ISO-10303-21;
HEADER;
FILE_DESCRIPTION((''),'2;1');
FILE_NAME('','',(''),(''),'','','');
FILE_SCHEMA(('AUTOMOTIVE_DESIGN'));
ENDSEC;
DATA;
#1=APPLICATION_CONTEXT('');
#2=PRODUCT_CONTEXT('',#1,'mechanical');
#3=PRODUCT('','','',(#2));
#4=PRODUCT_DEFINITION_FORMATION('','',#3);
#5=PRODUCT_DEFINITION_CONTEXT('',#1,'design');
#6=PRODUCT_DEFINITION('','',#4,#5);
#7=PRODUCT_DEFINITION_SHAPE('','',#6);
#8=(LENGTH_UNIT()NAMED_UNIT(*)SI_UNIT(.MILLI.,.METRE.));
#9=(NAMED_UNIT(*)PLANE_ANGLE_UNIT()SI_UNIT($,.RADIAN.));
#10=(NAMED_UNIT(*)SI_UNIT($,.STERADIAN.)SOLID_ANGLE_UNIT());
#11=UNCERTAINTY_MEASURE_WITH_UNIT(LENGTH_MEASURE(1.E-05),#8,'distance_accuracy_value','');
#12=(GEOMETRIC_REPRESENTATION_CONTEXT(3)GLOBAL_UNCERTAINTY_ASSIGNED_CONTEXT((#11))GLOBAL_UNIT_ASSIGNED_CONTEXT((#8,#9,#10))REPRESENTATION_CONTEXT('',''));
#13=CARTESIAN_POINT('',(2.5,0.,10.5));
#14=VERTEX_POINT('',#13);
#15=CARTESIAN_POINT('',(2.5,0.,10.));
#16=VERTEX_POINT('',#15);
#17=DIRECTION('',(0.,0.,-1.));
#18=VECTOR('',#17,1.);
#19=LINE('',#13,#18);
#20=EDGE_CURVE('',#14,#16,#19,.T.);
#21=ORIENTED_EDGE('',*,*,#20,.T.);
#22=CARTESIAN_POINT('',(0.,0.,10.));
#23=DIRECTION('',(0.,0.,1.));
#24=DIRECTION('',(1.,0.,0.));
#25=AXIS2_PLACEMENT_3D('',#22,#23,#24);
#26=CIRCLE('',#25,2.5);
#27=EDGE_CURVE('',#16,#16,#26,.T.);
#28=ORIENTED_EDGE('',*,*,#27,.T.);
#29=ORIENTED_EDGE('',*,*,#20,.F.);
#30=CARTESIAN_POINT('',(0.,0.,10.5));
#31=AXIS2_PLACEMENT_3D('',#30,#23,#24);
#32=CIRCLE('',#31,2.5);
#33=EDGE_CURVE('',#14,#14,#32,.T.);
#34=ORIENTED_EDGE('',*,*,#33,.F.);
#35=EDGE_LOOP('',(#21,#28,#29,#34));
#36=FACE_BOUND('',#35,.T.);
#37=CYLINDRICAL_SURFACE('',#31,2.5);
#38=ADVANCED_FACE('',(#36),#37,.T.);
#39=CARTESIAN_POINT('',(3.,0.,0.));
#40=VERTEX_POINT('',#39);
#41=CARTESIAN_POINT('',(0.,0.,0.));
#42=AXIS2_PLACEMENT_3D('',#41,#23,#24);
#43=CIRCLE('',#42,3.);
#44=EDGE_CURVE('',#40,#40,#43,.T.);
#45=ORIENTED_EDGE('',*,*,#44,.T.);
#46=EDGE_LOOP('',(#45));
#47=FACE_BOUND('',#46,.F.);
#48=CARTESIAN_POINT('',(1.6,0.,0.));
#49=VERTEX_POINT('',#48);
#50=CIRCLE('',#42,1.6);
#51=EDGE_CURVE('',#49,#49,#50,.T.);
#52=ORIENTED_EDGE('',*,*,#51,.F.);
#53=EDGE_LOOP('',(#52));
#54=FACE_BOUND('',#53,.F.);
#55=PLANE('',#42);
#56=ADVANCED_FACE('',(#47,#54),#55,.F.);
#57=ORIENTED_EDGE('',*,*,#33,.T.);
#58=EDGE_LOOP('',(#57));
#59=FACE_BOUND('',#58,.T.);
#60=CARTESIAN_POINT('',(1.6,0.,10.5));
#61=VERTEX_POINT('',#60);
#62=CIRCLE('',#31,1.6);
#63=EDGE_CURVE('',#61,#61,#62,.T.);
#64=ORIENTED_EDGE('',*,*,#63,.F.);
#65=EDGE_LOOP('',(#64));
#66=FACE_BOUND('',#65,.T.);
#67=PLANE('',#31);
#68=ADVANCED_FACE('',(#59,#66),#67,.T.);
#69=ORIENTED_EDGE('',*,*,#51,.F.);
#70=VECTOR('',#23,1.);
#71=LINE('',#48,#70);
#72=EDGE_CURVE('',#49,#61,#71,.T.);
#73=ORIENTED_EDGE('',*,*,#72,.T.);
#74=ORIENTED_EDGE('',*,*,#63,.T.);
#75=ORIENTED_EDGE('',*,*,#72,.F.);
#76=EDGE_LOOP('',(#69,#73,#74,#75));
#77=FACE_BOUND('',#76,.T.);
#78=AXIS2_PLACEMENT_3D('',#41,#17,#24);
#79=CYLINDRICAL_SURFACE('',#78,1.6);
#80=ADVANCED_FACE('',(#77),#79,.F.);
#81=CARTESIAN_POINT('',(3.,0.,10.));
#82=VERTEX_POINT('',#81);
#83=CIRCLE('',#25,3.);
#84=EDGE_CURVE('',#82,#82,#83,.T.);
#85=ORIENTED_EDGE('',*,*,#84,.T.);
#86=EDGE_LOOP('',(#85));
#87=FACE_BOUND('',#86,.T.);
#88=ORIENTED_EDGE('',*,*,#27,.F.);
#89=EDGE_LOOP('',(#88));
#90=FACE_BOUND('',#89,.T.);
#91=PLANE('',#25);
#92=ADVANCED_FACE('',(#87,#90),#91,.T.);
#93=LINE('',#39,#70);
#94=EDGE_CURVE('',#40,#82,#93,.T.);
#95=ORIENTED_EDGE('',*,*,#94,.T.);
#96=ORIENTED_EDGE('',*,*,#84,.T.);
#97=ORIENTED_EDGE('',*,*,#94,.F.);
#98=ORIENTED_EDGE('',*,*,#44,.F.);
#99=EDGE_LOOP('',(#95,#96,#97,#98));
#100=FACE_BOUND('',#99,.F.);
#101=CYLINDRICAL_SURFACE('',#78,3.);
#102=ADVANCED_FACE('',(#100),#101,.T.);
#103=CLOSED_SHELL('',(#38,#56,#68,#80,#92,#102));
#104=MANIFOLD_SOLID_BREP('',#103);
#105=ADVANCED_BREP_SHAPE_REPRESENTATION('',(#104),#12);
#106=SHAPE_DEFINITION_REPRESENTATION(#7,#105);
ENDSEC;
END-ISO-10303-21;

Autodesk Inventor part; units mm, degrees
ref_plane "YZ Plane" through (0, 0, 0) normal (1, 0, 0) x (0, 1, 0)
ref_plane "XZ Plane" through (0, 0, 0) normal (0, 1, 0) x (-1, 0, 0)
ref_plane "XY Plane" through (0, 0, 0) normal (0, 0, 1) x (1, 0, 0)
sketch "スケッチ1" plane through (0, 0, 0) normal (0, 0, 1) x (1, 0, 0)
  circle A0 centre (0, 0) radius 1.6
  circle A1 centre (0, 0) radius 3
  dimension "d0" = 3.2
  dimension "d1" = 6
extrude "押し出し1" add sketch "スケッチ1" along normal blind 10.5
sketch "スケッチ2" plane through (0, 0, 10.5) normal (0, 0, 1) x (1, 0, 0)
  circle A0 centre (0, 0) radius 2.5
  circle A1 centre (0, 0) radius 3
  dimension "d4" = 5
  dimension "d5" = 6
extrude "押し出し2" cut sketch "スケッチ2" against normal blind 0.5
properties part number "軸_3.2-8_特殊" material "アルミニウム 6061"
